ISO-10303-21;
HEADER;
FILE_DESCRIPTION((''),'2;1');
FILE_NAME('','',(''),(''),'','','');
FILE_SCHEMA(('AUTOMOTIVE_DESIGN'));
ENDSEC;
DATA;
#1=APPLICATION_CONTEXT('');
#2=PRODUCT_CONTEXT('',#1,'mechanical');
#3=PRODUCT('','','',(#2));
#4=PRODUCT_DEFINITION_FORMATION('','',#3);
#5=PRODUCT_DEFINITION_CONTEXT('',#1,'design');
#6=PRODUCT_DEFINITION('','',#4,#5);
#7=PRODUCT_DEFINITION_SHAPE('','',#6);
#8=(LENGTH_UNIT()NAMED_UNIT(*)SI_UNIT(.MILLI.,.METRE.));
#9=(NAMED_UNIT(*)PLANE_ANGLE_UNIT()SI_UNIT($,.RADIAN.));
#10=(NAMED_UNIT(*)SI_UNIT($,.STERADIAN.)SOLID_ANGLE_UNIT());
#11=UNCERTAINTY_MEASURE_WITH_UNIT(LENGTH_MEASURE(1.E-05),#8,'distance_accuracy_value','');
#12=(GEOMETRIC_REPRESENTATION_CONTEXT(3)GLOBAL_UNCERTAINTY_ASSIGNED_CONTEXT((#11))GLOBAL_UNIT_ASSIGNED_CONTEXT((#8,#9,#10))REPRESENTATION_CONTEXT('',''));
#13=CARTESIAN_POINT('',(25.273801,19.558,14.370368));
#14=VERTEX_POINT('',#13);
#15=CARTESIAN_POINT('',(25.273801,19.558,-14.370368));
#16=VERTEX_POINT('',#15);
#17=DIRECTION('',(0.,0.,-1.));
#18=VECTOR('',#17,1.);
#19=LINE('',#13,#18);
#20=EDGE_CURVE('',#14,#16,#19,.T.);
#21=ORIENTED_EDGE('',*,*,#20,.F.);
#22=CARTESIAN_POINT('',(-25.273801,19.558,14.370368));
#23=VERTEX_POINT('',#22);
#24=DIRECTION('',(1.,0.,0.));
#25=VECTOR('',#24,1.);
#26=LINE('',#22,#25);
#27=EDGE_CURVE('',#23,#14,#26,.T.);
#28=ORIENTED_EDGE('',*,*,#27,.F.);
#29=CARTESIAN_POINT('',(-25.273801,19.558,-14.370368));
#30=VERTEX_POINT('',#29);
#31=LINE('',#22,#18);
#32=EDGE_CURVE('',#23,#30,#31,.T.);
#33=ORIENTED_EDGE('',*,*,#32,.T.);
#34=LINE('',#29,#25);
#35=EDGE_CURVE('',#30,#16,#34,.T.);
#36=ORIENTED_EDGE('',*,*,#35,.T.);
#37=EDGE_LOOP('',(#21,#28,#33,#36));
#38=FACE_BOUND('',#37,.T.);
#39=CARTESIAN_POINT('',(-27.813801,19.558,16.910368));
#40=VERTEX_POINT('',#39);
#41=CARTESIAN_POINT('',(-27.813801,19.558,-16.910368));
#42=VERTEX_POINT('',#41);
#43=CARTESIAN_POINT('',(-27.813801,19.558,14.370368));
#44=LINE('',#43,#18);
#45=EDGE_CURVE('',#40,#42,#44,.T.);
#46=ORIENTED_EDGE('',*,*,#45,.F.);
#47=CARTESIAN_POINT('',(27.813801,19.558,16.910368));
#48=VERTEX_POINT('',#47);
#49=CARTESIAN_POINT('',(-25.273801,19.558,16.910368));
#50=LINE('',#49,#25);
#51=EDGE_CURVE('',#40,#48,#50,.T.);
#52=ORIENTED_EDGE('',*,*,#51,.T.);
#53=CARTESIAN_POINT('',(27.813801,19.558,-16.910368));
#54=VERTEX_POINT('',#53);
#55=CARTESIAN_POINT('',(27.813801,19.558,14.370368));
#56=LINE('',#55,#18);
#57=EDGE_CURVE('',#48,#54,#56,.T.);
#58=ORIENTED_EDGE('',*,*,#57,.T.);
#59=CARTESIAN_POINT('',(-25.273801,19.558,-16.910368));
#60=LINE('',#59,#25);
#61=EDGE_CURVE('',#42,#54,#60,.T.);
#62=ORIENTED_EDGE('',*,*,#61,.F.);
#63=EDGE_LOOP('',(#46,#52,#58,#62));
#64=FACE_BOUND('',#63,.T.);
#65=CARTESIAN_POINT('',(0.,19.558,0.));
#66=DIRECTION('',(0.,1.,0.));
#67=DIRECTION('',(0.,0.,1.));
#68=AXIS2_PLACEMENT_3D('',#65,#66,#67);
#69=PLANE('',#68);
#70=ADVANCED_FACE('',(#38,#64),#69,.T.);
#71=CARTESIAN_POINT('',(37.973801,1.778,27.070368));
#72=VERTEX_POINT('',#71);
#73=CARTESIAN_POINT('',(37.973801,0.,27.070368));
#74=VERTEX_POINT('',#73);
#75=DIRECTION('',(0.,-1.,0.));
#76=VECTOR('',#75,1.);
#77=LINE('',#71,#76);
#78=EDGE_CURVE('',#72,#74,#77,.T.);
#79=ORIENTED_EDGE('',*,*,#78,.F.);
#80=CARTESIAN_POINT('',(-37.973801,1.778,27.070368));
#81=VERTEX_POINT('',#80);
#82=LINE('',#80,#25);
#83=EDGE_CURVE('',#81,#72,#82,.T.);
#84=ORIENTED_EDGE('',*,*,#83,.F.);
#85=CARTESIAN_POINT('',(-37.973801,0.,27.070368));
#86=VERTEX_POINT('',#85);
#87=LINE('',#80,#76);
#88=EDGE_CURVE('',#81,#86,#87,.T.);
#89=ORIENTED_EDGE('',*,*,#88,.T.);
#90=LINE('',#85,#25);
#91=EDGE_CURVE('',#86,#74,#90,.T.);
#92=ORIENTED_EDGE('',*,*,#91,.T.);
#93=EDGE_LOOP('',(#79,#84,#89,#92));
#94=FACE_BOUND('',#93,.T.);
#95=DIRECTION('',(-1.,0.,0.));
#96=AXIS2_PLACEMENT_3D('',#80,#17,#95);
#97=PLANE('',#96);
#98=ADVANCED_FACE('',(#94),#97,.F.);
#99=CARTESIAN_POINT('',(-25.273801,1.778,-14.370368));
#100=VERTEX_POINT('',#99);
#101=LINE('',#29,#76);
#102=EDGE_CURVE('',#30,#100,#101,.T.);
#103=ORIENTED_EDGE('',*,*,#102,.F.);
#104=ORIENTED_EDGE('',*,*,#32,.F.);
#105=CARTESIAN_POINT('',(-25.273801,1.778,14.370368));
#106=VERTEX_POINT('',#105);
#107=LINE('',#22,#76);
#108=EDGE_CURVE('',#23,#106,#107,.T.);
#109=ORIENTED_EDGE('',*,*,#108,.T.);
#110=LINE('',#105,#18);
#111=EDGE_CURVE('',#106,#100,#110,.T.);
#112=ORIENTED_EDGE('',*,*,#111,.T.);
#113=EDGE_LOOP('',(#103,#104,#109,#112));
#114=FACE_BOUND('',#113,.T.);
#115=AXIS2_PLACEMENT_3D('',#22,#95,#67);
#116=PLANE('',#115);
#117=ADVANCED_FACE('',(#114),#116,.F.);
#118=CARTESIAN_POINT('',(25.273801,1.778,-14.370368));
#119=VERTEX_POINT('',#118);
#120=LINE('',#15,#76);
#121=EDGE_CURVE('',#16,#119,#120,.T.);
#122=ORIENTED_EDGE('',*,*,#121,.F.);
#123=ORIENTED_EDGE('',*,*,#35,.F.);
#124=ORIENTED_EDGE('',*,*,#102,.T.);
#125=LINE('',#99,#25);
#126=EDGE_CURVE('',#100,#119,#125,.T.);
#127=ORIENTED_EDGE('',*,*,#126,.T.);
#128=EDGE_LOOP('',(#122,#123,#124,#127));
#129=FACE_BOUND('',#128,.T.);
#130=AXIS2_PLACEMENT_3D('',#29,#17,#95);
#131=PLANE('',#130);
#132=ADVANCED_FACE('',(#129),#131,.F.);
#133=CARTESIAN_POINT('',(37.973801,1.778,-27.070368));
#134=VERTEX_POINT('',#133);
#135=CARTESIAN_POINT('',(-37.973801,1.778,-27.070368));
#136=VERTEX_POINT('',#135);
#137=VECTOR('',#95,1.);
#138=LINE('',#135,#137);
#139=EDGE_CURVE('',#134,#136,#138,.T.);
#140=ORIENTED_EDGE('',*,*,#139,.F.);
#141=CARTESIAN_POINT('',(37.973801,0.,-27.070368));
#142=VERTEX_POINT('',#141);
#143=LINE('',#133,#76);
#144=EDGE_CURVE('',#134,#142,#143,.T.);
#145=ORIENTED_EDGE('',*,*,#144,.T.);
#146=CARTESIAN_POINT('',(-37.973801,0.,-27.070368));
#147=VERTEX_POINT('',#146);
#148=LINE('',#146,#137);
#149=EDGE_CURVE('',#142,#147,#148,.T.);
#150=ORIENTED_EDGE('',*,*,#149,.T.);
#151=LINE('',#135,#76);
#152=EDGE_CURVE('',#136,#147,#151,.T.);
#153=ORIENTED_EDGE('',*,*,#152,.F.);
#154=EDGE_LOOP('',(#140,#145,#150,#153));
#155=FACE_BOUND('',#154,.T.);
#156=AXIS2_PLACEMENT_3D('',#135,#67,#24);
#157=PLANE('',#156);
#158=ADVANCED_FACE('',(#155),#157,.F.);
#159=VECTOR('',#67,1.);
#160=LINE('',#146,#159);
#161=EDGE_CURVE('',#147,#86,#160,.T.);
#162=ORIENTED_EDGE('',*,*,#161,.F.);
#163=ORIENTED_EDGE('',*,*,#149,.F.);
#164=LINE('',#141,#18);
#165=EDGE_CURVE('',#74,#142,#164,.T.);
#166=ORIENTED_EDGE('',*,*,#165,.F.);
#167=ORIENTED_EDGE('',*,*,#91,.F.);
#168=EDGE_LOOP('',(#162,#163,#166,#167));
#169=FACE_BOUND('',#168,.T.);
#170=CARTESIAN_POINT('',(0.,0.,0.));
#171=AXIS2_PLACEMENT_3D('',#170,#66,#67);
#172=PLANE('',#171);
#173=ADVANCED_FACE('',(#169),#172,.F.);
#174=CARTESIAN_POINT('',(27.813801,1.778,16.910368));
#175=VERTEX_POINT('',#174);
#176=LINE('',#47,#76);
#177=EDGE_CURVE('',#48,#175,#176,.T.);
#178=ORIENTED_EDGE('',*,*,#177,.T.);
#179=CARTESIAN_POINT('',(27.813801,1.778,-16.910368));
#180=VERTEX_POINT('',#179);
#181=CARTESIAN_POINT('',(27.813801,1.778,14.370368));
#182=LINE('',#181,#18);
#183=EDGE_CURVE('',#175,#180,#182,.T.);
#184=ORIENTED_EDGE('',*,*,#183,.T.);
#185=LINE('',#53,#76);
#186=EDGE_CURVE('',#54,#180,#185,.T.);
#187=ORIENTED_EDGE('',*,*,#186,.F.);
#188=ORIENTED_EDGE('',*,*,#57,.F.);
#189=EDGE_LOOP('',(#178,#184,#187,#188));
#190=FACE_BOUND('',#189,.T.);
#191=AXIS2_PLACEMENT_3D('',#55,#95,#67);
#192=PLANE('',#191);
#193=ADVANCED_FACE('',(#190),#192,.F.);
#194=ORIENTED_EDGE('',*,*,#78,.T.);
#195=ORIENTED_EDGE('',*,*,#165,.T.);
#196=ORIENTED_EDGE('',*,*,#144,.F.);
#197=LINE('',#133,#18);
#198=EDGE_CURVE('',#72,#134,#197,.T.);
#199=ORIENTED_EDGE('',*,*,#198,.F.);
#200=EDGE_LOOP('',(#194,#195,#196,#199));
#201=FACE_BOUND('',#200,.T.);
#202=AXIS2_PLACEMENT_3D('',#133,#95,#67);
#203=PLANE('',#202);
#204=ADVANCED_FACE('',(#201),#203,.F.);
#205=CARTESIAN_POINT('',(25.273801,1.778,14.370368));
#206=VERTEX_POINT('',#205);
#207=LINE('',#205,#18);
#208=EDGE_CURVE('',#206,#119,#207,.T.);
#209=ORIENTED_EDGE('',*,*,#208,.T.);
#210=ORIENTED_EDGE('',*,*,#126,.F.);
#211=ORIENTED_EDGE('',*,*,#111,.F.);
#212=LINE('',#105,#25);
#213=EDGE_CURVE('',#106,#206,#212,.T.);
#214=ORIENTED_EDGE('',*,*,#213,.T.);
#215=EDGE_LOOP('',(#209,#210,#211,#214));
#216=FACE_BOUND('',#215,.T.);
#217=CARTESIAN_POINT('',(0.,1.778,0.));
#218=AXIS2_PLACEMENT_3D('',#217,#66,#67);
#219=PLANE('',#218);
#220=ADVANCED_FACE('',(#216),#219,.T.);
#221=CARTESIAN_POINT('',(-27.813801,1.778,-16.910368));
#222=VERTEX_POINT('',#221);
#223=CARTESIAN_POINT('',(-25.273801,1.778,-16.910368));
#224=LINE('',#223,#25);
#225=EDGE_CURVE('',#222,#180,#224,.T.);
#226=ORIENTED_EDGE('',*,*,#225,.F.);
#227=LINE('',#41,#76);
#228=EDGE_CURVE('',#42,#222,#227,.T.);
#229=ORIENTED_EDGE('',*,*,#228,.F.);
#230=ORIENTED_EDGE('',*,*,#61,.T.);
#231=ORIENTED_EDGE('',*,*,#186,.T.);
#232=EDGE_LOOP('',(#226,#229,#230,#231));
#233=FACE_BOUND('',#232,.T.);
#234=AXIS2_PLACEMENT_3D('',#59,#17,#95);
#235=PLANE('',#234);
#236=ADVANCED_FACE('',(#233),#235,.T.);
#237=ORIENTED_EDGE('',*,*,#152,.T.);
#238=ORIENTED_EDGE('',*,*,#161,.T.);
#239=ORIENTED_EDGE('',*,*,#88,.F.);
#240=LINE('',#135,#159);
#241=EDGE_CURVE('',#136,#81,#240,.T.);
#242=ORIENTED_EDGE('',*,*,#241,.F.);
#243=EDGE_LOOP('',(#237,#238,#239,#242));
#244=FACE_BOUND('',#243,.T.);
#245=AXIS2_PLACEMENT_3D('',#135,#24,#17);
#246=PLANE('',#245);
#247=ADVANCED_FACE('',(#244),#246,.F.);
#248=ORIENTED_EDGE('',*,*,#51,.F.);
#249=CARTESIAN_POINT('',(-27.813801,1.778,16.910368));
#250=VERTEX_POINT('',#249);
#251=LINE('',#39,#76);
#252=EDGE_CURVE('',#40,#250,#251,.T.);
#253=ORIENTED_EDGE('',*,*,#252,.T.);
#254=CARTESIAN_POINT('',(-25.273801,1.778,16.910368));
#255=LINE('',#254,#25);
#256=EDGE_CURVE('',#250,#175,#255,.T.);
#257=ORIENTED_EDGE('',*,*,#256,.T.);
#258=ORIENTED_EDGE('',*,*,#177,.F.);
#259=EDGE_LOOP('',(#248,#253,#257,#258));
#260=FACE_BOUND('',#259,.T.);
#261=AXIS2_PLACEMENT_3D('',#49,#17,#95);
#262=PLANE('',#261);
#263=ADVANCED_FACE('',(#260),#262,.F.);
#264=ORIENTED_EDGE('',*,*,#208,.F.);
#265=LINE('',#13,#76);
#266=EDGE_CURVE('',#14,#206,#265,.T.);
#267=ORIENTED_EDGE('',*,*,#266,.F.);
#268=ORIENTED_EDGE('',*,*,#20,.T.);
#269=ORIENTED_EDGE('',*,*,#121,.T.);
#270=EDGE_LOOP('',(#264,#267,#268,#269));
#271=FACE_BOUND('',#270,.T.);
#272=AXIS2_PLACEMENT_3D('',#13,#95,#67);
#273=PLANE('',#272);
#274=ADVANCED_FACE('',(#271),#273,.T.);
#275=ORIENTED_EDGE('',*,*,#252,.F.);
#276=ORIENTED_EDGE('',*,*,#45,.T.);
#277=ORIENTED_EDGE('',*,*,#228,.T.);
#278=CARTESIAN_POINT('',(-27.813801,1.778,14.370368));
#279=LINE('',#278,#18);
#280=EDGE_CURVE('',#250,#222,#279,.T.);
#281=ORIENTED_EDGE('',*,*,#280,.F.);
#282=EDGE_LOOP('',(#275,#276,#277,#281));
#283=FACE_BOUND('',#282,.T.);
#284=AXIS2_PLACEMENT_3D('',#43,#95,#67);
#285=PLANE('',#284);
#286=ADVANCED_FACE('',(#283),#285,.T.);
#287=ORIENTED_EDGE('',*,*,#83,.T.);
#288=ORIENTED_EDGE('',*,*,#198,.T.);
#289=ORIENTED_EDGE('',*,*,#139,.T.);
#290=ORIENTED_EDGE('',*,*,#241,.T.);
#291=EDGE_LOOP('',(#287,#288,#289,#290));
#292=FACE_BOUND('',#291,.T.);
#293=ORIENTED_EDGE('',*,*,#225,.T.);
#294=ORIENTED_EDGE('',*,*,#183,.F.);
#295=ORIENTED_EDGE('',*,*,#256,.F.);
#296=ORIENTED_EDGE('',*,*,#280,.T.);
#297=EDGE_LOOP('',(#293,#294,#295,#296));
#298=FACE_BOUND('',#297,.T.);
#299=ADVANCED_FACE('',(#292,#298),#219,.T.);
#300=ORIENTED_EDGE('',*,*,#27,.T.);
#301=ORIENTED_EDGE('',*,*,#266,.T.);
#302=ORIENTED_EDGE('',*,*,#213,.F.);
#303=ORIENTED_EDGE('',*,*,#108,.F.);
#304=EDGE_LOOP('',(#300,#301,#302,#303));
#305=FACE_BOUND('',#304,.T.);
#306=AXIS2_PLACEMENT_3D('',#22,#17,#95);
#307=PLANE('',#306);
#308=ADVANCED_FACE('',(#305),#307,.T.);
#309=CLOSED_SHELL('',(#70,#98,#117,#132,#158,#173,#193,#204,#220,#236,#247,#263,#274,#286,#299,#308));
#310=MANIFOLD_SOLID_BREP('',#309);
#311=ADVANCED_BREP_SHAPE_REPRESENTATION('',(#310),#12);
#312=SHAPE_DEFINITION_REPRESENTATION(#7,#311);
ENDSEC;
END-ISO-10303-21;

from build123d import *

# Parameters (mm, degrees)
SKETCH1_W           = 75.947601036
SKETCH1_H           = 54.14073695
BOSS_EXTRUDE1_DEPTH = 1.778
SKETCH2_W           = 55.627601036
SKETCH2_H           = 33.82073695
SKETCH2_W_2         = 50.547601036
SKETCH2_H_2         = 28.74073695
EXTRUDE_THIN1_DEPTH = 17.78


with BuildPart() as part:
    # Sketch1 → Boss-Extrude1 (new body)
    with BuildSketch(Plane(origin=(0, 0, 0), x_dir=(1, 0, 0), z_dir=(0, 1, 0))):
        Rectangle(SKETCH1_W, SKETCH1_H)
    extrude(amount=BOSS_EXTRUDE1_DEPTH)

    # Sketch2 → Extrude-Thin1 (add)
    with BuildSketch(Plane(origin=(0, 1.778, 0), x_dir=(1, 0, 0), z_dir=(0, 1, 0))):
        Rectangle(SKETCH2_W, SKETCH2_H)
        Rectangle(SKETCH2_W_2, SKETCH2_H_2, mode=Mode.SUBTRACT)
    extrude(amount=EXTRUDE_THIN1_DEPTH)


solid = part.part
